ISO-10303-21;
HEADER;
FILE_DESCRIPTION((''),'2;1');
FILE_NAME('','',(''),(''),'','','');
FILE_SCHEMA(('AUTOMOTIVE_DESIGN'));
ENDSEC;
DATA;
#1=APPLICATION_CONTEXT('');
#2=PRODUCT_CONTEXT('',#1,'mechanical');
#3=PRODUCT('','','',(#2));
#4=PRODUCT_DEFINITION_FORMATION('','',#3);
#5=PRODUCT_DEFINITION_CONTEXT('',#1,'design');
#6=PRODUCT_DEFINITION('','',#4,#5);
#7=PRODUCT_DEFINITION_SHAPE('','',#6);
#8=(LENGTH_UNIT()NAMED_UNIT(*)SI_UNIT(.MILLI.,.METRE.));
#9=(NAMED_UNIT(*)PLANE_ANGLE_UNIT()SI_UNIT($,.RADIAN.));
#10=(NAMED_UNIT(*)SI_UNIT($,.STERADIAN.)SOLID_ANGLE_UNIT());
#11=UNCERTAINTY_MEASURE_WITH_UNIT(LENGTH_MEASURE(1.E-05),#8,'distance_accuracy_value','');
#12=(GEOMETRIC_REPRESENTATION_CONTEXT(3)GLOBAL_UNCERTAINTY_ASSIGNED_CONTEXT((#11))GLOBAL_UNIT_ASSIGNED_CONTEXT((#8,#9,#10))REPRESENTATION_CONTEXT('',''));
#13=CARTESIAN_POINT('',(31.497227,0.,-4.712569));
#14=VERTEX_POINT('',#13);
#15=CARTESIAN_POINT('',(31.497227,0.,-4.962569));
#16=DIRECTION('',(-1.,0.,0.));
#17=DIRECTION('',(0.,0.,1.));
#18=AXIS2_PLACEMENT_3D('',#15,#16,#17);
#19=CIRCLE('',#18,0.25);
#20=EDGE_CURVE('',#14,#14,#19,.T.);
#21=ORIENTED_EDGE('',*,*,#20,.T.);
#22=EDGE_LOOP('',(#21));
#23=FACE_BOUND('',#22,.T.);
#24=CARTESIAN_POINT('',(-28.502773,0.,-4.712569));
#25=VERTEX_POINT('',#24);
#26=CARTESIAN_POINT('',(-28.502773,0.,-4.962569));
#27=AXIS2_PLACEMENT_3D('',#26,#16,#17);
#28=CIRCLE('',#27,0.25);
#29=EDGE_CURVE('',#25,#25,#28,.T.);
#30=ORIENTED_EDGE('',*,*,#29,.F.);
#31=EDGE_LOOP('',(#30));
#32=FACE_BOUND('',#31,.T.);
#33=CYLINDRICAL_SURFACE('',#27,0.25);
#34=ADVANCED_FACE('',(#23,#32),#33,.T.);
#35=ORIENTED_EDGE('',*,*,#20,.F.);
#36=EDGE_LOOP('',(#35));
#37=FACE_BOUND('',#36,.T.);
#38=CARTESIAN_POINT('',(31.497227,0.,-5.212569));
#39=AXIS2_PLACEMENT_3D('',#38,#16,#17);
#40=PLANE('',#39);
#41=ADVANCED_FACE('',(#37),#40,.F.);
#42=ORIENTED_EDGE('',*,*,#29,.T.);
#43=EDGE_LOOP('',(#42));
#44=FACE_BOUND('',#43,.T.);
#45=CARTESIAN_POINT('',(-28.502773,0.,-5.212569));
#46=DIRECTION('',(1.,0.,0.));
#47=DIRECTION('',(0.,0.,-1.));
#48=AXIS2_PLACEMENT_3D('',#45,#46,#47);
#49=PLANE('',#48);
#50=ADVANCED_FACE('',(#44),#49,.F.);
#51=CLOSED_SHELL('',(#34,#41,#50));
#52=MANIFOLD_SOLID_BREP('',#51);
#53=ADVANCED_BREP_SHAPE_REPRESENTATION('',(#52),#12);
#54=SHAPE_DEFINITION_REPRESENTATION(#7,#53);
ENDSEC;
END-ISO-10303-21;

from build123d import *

# Parameters (mm, degrees)
SKETCH1_W = 60
SKETCH1_H = 0.25


with BuildPart() as part:
    # Sketch1 → Revolve1 (revolve)
    with BuildSketch(Plane(origin=(0, 0, 0), x_dir=(1, 0, 0), z_dir=(0, 1, 0)), mode=Mode.PRIVATE) as revolve1_sk:
        with Locations((1.497227357, 5.087569316)):
            Rectangle(SKETCH1_W, SKETCH1_H)
    revolve(revolve1_sk.sketch.rotate(Axis((-28.502772643, 0, -4.962569316), (1, 0, 0)), 180), axis=Axis((-28.502772643, 0, -4.962569316), (1, 0, 0)))


solid = part.part
